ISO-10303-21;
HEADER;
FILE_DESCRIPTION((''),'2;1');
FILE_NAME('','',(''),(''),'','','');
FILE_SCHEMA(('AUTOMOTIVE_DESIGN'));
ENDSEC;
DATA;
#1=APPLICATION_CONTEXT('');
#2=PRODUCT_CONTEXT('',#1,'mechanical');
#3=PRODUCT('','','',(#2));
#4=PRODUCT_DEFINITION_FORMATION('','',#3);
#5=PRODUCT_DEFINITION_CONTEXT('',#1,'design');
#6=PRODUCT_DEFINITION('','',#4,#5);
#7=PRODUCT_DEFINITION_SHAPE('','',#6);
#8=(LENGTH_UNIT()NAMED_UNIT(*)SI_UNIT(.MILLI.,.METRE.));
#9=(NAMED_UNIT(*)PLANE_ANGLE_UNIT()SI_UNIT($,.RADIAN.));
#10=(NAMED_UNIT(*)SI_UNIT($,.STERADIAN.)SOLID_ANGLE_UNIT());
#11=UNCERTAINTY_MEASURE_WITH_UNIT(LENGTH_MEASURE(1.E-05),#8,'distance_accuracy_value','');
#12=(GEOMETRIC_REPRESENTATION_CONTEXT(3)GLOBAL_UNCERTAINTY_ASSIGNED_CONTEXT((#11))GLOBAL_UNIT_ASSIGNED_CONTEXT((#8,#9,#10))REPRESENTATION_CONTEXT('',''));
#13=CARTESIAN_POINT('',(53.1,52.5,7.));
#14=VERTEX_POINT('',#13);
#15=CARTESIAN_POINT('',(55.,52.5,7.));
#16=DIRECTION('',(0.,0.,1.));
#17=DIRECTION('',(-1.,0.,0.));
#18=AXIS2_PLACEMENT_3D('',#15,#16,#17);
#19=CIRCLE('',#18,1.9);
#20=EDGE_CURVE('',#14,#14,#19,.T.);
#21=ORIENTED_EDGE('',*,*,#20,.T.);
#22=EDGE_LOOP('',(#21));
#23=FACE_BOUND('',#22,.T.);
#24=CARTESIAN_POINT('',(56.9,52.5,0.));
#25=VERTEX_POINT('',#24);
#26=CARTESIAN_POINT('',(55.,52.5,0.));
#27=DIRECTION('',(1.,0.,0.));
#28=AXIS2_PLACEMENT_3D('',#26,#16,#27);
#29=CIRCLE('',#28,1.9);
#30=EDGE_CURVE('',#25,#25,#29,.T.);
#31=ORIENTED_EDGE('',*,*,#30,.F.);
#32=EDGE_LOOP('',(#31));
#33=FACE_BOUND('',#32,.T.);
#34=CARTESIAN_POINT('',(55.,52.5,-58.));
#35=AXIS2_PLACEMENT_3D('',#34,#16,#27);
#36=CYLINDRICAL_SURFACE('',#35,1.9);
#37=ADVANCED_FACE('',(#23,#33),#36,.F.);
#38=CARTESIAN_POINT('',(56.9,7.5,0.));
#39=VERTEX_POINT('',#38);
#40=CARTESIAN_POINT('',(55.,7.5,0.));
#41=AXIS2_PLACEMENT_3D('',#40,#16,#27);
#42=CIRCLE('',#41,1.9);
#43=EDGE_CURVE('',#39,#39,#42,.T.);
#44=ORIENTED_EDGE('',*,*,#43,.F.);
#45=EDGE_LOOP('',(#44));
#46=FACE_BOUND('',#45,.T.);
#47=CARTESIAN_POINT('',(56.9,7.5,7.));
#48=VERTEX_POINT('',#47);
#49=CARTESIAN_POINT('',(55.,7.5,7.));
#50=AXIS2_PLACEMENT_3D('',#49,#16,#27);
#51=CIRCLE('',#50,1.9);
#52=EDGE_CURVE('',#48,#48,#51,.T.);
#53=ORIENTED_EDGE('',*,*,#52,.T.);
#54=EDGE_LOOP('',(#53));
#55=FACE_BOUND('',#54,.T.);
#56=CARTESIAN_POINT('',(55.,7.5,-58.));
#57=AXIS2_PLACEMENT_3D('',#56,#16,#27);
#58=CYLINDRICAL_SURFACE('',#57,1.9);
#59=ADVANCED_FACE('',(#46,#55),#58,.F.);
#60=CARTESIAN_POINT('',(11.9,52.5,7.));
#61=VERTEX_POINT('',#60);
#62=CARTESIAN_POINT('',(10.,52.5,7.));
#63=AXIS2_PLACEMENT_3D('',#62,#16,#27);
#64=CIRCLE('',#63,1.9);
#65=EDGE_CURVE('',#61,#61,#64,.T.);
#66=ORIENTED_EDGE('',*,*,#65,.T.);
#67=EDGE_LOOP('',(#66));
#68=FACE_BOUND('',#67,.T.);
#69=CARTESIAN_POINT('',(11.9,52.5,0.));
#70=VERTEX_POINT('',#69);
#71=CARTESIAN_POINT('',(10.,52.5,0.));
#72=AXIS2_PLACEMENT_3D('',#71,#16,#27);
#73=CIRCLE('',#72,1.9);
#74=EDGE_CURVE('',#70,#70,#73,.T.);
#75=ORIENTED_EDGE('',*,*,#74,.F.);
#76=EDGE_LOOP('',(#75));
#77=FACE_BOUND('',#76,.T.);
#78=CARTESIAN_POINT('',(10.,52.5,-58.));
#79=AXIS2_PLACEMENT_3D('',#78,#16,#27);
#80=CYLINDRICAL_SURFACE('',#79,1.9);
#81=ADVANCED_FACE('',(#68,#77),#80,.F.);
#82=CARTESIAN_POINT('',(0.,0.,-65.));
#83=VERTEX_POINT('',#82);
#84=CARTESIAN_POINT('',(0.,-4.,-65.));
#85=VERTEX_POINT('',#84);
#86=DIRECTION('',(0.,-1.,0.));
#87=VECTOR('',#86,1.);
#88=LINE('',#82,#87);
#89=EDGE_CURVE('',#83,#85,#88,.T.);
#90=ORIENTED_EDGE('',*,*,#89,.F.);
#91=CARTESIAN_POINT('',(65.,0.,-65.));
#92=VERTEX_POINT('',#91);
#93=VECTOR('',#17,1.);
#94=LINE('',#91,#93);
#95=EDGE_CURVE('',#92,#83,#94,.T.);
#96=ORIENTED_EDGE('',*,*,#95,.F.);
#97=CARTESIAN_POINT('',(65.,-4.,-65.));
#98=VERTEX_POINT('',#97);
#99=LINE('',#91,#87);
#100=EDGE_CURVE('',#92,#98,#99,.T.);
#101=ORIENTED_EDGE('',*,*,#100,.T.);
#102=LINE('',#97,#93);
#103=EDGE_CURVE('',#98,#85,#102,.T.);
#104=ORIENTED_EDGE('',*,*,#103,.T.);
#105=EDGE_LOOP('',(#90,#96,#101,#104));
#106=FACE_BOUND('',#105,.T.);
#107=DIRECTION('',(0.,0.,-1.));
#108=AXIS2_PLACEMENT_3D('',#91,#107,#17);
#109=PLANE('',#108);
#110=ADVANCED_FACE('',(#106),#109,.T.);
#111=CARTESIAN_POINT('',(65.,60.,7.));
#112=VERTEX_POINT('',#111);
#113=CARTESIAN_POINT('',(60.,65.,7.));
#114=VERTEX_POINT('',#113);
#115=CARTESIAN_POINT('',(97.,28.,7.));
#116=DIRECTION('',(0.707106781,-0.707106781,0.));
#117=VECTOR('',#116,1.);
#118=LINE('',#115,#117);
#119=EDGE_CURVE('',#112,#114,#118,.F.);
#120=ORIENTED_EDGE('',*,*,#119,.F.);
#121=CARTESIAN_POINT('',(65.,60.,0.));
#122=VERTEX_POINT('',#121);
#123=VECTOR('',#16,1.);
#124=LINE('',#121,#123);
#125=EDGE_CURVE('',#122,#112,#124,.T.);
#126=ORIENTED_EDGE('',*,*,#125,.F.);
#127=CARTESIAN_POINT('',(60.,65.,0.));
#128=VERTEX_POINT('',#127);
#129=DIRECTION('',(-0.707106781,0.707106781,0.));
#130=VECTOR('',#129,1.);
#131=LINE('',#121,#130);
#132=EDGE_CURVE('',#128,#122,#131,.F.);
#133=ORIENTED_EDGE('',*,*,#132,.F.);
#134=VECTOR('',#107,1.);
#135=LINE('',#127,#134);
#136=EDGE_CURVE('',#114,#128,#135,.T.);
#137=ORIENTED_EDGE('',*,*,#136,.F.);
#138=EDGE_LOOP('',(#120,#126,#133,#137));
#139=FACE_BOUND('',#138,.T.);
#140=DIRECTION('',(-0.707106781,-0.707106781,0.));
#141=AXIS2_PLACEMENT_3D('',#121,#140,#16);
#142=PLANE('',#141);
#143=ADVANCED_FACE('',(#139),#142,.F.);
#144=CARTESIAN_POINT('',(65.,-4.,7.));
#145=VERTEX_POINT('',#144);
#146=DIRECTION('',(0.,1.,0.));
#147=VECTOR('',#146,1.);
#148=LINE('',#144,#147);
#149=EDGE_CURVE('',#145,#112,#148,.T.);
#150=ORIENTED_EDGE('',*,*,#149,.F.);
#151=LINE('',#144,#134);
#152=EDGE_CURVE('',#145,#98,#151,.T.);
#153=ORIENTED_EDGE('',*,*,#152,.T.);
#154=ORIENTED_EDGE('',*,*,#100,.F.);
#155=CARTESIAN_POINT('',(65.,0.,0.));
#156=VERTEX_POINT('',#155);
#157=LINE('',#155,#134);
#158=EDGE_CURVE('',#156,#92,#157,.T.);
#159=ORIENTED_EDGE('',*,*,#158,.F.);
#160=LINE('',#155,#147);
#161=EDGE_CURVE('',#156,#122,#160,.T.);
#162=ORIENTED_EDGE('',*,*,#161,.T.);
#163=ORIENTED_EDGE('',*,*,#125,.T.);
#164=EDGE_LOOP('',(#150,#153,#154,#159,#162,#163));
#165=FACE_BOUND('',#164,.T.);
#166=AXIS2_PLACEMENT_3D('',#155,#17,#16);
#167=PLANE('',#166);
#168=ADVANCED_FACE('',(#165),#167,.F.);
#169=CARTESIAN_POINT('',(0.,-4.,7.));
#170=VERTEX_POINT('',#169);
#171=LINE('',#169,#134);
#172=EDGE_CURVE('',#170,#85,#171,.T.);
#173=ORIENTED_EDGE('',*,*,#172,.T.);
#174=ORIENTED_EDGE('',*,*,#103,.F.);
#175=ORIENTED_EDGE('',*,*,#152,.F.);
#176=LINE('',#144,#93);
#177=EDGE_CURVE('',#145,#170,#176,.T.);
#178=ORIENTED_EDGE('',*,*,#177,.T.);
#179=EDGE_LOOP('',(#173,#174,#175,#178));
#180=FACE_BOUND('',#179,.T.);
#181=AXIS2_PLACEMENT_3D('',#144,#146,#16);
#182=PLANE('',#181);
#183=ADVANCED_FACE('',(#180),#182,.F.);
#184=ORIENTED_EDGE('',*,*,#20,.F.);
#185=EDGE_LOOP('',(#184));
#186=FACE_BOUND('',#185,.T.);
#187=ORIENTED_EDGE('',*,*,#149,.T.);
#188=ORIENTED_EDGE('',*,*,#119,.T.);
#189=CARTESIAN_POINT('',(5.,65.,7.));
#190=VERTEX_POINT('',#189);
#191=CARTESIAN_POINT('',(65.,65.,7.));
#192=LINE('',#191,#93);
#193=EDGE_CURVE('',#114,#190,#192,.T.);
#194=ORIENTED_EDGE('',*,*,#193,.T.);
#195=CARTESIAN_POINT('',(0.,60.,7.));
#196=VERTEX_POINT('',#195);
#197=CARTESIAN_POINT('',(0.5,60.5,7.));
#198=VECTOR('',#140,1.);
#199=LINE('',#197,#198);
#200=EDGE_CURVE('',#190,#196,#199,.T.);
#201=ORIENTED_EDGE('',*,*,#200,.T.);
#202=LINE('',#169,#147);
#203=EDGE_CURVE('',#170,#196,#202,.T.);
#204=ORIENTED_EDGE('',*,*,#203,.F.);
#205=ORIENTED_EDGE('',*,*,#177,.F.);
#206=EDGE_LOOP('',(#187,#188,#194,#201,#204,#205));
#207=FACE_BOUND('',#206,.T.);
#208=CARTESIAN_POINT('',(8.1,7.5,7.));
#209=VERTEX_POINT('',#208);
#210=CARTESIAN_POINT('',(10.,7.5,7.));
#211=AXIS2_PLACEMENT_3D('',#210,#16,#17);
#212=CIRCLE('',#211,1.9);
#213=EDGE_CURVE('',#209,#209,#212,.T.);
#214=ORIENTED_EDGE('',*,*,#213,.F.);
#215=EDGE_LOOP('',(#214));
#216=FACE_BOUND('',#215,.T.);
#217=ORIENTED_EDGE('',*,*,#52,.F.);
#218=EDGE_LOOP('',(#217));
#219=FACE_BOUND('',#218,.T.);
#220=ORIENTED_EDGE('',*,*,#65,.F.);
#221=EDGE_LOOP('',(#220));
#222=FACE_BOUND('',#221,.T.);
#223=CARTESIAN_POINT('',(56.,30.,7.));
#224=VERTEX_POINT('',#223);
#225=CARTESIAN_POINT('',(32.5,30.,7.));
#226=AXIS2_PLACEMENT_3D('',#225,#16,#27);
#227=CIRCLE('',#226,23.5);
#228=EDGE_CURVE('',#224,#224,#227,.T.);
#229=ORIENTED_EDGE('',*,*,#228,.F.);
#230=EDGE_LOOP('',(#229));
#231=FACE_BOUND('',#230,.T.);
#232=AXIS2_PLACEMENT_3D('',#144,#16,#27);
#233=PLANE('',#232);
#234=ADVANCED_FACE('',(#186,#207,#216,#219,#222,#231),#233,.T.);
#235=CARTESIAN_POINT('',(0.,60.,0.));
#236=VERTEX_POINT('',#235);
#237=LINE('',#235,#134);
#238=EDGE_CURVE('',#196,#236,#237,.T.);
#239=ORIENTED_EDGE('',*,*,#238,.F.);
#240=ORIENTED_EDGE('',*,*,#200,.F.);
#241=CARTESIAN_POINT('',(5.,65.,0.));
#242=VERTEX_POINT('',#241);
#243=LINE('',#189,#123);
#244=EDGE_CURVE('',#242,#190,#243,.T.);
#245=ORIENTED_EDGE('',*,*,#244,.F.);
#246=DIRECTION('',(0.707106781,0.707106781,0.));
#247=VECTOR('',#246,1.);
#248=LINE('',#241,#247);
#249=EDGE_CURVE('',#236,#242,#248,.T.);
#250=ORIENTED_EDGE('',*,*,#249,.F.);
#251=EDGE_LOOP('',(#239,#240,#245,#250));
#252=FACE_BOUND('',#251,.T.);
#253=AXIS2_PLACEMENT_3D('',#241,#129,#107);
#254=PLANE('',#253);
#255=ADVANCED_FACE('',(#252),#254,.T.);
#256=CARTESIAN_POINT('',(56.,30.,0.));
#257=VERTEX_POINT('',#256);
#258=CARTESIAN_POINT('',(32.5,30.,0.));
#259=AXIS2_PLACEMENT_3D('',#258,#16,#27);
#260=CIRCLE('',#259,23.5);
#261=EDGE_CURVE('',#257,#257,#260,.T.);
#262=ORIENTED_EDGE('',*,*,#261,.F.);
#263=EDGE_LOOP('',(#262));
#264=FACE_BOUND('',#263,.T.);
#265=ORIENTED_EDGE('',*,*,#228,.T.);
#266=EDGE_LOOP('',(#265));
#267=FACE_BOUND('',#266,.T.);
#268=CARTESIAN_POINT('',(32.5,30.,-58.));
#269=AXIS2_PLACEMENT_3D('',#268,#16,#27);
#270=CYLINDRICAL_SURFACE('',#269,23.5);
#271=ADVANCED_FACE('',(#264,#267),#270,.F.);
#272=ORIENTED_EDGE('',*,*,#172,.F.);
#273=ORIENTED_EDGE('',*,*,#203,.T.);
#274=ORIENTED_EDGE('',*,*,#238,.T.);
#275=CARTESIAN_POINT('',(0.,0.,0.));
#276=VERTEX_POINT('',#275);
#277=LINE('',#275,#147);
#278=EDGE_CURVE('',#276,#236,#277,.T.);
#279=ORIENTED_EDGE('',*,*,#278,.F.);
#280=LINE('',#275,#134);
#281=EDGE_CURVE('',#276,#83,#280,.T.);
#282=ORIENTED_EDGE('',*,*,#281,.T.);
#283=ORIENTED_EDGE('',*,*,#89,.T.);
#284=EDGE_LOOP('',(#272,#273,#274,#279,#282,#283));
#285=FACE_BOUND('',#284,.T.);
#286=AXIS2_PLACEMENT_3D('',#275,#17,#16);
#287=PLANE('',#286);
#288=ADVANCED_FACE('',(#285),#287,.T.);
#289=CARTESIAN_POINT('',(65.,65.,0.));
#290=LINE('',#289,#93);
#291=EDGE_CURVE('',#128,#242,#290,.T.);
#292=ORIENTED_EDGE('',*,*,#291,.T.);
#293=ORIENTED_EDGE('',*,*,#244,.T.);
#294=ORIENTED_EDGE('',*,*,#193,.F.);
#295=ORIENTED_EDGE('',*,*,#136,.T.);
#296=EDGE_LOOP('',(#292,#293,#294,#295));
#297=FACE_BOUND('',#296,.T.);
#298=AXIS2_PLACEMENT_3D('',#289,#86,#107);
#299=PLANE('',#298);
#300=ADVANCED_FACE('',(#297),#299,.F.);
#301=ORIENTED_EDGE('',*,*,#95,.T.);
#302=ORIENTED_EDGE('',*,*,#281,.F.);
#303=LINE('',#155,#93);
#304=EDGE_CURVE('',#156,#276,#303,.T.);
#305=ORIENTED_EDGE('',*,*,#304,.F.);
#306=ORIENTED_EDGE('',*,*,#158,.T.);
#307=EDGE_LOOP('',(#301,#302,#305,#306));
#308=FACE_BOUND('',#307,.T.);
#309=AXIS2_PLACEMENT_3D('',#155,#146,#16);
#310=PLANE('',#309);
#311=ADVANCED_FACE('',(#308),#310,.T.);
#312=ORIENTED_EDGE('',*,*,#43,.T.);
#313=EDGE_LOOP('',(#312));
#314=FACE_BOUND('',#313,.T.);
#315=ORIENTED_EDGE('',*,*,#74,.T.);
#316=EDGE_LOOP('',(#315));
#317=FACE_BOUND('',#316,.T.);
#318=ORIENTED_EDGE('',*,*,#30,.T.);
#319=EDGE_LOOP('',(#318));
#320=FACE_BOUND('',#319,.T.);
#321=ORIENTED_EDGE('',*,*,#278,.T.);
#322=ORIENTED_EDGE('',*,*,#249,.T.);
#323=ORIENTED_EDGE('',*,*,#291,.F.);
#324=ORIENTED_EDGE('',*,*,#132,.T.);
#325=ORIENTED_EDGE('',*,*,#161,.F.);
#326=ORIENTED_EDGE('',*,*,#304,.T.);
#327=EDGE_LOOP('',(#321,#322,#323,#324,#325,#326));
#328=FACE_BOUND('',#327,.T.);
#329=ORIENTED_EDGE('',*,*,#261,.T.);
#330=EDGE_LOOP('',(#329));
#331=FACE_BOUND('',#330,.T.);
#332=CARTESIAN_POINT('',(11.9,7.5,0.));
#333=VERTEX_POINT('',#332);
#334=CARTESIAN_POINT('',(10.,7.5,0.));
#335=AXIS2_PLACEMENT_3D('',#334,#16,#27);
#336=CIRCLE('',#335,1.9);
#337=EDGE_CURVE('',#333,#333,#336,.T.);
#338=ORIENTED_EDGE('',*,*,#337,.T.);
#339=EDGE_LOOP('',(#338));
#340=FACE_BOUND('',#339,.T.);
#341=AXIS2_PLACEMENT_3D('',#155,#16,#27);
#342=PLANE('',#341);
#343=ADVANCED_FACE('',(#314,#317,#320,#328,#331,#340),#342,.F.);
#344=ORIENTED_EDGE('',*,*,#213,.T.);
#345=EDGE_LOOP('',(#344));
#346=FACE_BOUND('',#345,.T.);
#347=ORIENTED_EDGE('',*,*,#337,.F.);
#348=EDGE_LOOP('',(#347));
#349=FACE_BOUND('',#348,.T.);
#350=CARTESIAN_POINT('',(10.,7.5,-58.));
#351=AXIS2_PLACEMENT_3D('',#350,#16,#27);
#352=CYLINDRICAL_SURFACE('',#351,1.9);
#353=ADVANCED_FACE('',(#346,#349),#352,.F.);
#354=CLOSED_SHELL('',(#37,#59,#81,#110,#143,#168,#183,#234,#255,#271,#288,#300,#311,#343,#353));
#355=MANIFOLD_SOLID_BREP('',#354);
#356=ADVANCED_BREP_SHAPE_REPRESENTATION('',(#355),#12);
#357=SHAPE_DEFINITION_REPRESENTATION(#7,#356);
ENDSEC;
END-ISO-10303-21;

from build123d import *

# Parameters (mm, degrees)
BOSS_EXTRUDE1_DEPTH = 65
CHAMFER1_SIZE       = 5
SKETCH4_R           = 23.5
SKETCH4_R_2         = 1.9
CUT_EXTRUDE1_DEPTH  = 65


with BuildPart() as part:
    # Sketch2 → Boss-Extrude1 (new body)
    with BuildSketch(Plane(origin=(0, 0, 0), x_dir=(0, 0, -1), z_dir=(1, 0, 0))):
        Polygon((0, 0), (0, 65), (-7, 65), (-7, -4), (65, -4), (65, 0), align=None)
    extrude(amount=BOSS_EXTRUDE1_DEPTH)

    # Chamfer1
    chamfer1_edges = [part.edges().sort_by_distance(p)[0] for p in [
        (65, 65, 3.5),
        (0, 65, 3.5),
    ]]
    chamfer(chamfer1_edges, length=CHAMFER1_SIZE)

    # Sketch4 → Cut-Extrude1 (cut)
    with BuildSketch(Plane.XY.offset(7)):
        with Locations((32.5, 30)):
            Circle(SKETCH4_R)
        with Locations((10, 52.5)):
            Circle(SKETCH4_R_2)
        with Locations((55, 52.5)):
            Circle(SKETCH4_R_2)
        with Locations((55, 7.5)):
            Circle(SKETCH4_R_2)
        with Locations((10, 7.5)):
            Circle(SKETCH4_R_2)
    extrude(amount=-CUT_EXTRUDE1_DEPTH, mode=Mode.SUBTRACT)


solid = part.part
